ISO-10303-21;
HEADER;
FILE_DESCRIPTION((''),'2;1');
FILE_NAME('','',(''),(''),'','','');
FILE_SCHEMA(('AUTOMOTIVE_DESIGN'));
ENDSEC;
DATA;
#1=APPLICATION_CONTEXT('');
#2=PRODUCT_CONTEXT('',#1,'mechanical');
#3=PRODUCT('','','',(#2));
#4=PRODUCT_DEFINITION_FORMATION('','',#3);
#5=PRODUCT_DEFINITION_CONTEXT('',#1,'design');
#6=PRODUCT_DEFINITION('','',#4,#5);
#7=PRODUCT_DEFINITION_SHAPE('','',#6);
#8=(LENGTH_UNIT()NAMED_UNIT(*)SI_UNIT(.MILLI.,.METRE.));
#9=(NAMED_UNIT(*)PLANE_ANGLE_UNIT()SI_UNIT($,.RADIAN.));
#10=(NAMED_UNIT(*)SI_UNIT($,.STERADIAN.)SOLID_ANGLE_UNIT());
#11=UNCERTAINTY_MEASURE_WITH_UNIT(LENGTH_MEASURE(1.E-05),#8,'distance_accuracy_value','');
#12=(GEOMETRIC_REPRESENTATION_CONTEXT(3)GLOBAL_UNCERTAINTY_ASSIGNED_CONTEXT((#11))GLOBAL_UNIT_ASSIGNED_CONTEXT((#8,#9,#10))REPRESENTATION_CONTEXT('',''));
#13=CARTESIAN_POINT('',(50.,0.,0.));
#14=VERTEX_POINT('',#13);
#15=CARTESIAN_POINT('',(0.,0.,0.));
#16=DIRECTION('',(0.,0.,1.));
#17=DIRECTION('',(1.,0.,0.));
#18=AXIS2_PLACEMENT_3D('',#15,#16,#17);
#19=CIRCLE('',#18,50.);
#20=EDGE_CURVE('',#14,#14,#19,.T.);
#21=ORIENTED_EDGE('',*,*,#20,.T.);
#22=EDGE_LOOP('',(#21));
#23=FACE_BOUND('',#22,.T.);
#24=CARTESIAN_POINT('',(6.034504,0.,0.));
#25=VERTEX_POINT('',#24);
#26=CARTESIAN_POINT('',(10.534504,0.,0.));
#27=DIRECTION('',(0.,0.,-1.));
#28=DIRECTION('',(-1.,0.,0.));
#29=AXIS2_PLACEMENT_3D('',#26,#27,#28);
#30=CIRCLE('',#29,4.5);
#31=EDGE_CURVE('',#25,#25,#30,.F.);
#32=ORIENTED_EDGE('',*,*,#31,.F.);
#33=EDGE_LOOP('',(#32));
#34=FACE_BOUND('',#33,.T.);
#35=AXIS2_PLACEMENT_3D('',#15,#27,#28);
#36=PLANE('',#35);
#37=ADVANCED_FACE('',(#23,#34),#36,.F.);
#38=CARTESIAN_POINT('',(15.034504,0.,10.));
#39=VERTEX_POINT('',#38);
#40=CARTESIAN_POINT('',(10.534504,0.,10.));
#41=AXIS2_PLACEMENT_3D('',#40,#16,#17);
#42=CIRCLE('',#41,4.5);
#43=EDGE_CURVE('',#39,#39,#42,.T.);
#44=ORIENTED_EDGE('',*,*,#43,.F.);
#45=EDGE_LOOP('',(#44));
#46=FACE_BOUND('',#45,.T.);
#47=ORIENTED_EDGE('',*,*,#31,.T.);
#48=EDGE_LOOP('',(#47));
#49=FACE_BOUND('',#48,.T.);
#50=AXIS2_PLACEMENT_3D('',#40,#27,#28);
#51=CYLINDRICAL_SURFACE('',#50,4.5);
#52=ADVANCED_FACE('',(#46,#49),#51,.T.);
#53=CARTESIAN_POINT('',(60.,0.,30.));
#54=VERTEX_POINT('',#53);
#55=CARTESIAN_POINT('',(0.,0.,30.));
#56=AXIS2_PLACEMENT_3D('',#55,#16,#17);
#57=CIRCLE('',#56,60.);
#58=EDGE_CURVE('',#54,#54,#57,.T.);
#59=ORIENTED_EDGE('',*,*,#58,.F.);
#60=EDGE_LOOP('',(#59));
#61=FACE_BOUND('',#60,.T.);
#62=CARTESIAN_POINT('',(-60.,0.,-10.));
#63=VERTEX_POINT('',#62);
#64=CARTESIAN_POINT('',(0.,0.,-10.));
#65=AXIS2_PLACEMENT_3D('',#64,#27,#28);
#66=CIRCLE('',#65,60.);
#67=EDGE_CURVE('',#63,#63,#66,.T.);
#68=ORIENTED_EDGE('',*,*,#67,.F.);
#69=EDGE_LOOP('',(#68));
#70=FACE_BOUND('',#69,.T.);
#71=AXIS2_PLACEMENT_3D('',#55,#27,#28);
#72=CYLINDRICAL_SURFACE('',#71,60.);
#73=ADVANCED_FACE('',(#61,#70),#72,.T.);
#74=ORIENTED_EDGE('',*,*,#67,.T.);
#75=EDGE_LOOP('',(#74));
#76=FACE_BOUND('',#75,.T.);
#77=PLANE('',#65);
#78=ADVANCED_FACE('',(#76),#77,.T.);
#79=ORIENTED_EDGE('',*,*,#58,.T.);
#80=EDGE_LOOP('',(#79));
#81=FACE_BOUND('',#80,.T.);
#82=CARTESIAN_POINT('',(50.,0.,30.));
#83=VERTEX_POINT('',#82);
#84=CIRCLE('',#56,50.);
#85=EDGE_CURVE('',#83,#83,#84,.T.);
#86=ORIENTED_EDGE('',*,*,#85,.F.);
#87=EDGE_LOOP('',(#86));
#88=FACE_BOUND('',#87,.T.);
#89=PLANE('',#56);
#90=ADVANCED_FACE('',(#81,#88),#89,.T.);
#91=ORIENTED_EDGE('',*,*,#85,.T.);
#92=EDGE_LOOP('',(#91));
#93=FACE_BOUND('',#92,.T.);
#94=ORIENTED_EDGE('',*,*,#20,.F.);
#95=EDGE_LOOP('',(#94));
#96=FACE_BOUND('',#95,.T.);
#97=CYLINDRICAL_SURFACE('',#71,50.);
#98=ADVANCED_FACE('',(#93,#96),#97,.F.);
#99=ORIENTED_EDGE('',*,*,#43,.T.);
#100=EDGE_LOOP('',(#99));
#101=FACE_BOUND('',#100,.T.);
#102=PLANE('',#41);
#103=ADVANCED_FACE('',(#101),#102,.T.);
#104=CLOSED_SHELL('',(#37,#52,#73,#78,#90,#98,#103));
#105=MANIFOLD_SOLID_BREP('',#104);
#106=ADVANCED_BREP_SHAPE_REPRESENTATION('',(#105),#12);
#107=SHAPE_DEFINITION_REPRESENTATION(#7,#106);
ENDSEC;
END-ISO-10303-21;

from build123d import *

# Parameters (mm, degrees)
SKETCH1_R           = 60
SKETCH1_R_2         = 50
BOSS_EXTRUDE2_DEPTH = 30
BOSS_EXTRUDE3_START = 10
SKETCH2_R           = 60
BOSS_EXTRUDE3_DEPTH = 10
SKETCH3_R           = 4.5
BOSS_EXTRUDE4_DEPTH = 10


with BuildPart() as part:
    # Sketch1 → Boss-Extrude2 (new body)
    with BuildSketch(Plane.XY):
        Circle(SKETCH1_R)
        Circle(SKETCH1_R_2, mode=Mode.SUBTRACT)
    extrude(amount=BOSS_EXTRUDE2_DEPTH)

    # Sketch2 → Boss-Extrude3 (add)
    with BuildSketch(Plane(origin=(0, 0, 0), x_dir=(-1, 0, 0), z_dir=(0, 0, -1)).offset(BOSS_EXTRUDE3_START)):
        Circle(SKETCH2_R)
    extrude(amount=-BOSS_EXTRUDE3_DEPTH)

    # Sketch3 → Boss-Extrude4 (add)
    with BuildSketch(Plane.XY):
        with Locations(Location((10.534503936, 0, 0), (0, 0, 180))):
            Circle(SKETCH3_R)
    extrude(amount=BOSS_EXTRUDE4_DEPTH)


solid = part.part
